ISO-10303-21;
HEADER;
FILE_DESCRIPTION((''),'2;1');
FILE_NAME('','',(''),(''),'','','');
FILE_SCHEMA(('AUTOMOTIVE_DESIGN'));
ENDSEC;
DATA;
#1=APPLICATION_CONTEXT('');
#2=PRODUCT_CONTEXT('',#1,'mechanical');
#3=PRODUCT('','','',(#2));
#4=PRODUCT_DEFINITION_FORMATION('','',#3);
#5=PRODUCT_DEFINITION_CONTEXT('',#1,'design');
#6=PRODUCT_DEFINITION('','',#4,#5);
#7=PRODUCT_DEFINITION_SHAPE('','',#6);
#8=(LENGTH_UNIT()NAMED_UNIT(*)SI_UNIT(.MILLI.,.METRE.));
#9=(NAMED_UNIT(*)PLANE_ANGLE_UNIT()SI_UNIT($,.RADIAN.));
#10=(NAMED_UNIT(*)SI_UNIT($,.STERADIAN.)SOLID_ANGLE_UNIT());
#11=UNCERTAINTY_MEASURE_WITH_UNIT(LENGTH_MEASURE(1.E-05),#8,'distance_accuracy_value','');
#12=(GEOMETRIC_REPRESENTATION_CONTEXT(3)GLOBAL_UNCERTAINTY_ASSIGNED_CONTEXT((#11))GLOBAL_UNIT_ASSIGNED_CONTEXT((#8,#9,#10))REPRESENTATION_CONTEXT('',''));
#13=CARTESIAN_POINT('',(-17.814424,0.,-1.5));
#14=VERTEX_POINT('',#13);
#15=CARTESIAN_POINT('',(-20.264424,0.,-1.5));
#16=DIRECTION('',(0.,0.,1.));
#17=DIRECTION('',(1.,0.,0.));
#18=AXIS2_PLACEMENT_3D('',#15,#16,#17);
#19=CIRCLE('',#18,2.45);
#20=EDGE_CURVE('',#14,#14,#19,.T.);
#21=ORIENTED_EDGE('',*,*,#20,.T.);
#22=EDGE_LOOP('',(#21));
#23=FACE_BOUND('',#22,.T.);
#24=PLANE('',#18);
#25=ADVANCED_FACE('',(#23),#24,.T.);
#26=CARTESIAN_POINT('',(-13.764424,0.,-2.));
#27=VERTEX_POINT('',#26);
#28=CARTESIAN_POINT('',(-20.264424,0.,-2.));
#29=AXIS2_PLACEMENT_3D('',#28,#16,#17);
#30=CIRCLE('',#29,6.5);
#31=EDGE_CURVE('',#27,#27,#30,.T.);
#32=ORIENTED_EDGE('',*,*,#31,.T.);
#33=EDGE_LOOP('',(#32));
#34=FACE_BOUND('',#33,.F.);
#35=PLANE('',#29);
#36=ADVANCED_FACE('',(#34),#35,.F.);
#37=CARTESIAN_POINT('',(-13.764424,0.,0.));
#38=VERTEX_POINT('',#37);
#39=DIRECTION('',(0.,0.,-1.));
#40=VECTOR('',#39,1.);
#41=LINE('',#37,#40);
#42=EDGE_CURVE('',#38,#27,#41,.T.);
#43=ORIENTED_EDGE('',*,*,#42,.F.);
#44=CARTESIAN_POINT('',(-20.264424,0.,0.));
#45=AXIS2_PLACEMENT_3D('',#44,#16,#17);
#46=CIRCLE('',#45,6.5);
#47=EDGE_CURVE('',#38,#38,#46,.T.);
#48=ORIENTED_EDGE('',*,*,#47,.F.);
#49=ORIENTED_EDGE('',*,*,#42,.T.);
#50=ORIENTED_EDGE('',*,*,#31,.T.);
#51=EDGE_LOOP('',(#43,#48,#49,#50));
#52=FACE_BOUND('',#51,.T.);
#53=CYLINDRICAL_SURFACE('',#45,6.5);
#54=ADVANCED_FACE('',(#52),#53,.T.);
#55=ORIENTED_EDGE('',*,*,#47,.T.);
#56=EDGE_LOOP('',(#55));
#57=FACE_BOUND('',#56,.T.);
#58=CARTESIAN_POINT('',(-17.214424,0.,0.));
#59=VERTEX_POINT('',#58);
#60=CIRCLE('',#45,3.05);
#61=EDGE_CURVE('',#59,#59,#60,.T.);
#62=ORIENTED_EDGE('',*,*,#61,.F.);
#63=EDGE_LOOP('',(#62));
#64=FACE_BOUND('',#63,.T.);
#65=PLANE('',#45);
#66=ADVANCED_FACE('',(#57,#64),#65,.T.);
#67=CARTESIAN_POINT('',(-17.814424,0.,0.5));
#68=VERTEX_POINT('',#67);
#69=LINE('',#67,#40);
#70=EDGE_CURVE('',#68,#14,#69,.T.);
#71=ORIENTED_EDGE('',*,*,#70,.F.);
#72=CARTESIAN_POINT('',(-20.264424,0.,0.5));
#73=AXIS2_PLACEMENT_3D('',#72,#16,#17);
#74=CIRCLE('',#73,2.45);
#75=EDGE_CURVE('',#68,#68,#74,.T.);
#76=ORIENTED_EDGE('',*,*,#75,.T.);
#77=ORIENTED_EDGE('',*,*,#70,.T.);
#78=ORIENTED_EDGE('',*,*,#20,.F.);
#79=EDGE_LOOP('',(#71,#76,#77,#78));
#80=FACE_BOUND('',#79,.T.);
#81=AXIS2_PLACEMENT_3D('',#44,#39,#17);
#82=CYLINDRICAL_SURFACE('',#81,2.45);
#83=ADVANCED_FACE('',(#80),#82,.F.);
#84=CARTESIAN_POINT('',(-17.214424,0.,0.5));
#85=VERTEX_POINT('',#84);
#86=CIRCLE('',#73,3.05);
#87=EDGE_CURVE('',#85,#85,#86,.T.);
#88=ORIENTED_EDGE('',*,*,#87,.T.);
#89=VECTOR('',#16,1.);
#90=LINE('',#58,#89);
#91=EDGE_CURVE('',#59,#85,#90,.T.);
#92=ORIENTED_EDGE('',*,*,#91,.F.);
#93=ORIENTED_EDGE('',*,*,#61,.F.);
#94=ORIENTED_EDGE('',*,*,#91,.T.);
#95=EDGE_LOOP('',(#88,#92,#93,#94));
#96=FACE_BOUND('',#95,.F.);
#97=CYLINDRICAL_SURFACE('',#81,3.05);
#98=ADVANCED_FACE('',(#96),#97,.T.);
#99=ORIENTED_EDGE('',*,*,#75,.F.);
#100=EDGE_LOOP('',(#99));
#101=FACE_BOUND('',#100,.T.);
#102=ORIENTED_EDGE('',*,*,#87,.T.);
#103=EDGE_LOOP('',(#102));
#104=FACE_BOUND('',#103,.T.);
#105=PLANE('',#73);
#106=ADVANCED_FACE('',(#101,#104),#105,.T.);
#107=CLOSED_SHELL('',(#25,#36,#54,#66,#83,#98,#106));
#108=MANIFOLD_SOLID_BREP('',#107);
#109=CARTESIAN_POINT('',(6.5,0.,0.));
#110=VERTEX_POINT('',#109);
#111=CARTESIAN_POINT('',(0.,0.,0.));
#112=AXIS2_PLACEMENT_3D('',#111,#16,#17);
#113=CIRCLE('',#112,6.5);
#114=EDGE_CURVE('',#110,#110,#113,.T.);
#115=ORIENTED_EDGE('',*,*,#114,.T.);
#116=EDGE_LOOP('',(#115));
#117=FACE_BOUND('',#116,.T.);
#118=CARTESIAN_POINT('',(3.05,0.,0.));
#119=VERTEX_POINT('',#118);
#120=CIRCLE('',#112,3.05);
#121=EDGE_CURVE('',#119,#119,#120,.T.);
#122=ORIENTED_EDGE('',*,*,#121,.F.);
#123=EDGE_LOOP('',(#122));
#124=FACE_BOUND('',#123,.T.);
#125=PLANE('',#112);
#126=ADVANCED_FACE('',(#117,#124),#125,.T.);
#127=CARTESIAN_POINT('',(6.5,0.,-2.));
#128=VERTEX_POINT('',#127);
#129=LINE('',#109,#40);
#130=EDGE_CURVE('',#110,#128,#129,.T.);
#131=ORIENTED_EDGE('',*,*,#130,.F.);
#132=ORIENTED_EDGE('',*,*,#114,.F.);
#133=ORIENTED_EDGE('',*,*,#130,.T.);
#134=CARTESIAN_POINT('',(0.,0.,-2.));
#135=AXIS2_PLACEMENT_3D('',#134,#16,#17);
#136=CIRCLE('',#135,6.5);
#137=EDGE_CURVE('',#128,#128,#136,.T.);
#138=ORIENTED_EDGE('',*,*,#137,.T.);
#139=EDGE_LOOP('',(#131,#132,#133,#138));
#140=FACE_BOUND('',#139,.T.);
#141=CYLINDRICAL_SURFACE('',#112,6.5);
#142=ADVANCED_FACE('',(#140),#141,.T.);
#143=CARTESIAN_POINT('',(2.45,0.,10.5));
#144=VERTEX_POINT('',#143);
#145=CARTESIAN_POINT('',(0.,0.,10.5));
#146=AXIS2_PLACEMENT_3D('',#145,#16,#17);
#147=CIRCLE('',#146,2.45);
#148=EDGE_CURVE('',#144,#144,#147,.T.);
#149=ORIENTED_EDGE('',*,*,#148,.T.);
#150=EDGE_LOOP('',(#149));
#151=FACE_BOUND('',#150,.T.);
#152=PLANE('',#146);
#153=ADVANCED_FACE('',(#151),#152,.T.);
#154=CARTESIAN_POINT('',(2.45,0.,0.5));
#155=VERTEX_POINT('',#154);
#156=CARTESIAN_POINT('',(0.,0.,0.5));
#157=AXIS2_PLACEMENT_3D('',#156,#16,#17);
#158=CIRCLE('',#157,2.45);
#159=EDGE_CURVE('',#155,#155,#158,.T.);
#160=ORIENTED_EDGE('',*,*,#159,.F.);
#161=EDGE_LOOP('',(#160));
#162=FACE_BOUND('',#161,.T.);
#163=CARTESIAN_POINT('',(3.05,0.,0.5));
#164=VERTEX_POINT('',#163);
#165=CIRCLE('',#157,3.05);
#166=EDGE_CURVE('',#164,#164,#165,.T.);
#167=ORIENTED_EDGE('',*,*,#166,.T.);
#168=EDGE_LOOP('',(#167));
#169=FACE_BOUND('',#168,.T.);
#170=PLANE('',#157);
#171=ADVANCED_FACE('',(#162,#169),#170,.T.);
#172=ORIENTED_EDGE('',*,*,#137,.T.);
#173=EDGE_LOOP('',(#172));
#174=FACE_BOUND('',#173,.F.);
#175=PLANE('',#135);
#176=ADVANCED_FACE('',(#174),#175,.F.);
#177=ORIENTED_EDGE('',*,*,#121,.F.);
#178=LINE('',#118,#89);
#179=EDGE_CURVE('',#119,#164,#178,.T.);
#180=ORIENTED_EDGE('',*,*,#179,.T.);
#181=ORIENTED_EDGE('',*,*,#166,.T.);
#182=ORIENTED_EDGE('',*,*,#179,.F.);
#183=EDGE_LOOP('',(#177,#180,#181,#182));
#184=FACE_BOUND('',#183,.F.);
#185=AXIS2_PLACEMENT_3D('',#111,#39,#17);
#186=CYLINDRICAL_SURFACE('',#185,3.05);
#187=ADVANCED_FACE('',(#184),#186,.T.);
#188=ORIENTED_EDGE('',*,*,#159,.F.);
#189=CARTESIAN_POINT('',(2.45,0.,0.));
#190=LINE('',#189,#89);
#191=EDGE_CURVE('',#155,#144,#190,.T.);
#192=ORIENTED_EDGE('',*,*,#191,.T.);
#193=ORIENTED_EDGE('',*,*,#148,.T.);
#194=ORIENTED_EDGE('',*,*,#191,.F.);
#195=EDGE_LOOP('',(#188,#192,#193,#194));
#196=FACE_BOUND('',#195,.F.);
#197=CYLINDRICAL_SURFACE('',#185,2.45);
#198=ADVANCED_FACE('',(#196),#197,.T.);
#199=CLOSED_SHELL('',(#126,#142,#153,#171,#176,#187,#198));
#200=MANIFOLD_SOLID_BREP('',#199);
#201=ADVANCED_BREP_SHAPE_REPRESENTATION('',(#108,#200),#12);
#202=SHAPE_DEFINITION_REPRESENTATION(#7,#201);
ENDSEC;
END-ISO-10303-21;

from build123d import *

# Parameters (mm, degrees)
F0_R     = 2.45
F1_DEPTH = 10.5
F0_R_2   = 6.5
F0_R_3   = 3.05
F2_DEPTH = 2
F3_DEPTH = 0.5
F4_R     = 6.5
F4_R_2   = 3.05
F4_R_3   = 2.45
F5_DEPTH = 2
F6_DEPTH = 0.5
F7_DEPTH = 1.5


with BuildPart() as f1:
    # F0 (on Top) → F1 (new body)
    with BuildSketch(Plane.XY):
        Circle(F0_R)
    extrude(amount=F1_DEPTH)

    # F0 (on Top) → F2 (join)
    with BuildSketch(Plane.XY):
        Circle(F0_R_2)
        Circle(F0_R_3, mode=Mode.SUBTRACT)
        Circle(F0_R_3)
        Circle(F0_R, mode=Mode.SUBTRACT)
        Circle(F0_R)
    extrude(amount=-F2_DEPTH)

    # F0 (on Top) → F3 (join)
    with BuildSketch(Plane.XY):
        Circle(F0_R_3)
        Circle(F0_R, mode=Mode.SUBTRACT)
    extrude(amount=F3_DEPTH)


with BuildPart() as f5:
    # F4 (on Top) → F5 (new body)
    with BuildSketch(Plane.XY):
        with Locations((-20.2644243836, 0)):
            Circle(F4_R)
        with Locations((-20.2644243836, 0)):
            Circle(F4_R_2, mode=Mode.SUBTRACT)
        with Locations((-20.2644243836, 0)):
            Circle(F4_R_2)
        with Locations((-20.2644243836, 0)):
            Circle(F4_R_3, mode=Mode.SUBTRACT)
        with Locations((-20.2644243836, 0)):
            Circle(F4_R_3)
    extrude(amount=-F5_DEPTH)

    # F4 (on Top) → F6 (join)
    with BuildSketch(Plane.XY):
        with Locations((-20.2644243836, 0)):
            Circle(F4_R_2)
        with Locations((-20.2644243836, 0)):
            Circle(F4_R_3, mode=Mode.SUBTRACT)
    extrude(amount=F6_DEPTH)

    # F4 (on Top) → F7 (cut)
    with BuildSketch(Plane.XY):
        with Locations((-20.2644243836, 0)):
            Circle(F4_R_3)
    extrude(amount=-F7_DEPTH, mode=Mode.SUBTRACT)


solid = Compound([f1.part, f5.part])
